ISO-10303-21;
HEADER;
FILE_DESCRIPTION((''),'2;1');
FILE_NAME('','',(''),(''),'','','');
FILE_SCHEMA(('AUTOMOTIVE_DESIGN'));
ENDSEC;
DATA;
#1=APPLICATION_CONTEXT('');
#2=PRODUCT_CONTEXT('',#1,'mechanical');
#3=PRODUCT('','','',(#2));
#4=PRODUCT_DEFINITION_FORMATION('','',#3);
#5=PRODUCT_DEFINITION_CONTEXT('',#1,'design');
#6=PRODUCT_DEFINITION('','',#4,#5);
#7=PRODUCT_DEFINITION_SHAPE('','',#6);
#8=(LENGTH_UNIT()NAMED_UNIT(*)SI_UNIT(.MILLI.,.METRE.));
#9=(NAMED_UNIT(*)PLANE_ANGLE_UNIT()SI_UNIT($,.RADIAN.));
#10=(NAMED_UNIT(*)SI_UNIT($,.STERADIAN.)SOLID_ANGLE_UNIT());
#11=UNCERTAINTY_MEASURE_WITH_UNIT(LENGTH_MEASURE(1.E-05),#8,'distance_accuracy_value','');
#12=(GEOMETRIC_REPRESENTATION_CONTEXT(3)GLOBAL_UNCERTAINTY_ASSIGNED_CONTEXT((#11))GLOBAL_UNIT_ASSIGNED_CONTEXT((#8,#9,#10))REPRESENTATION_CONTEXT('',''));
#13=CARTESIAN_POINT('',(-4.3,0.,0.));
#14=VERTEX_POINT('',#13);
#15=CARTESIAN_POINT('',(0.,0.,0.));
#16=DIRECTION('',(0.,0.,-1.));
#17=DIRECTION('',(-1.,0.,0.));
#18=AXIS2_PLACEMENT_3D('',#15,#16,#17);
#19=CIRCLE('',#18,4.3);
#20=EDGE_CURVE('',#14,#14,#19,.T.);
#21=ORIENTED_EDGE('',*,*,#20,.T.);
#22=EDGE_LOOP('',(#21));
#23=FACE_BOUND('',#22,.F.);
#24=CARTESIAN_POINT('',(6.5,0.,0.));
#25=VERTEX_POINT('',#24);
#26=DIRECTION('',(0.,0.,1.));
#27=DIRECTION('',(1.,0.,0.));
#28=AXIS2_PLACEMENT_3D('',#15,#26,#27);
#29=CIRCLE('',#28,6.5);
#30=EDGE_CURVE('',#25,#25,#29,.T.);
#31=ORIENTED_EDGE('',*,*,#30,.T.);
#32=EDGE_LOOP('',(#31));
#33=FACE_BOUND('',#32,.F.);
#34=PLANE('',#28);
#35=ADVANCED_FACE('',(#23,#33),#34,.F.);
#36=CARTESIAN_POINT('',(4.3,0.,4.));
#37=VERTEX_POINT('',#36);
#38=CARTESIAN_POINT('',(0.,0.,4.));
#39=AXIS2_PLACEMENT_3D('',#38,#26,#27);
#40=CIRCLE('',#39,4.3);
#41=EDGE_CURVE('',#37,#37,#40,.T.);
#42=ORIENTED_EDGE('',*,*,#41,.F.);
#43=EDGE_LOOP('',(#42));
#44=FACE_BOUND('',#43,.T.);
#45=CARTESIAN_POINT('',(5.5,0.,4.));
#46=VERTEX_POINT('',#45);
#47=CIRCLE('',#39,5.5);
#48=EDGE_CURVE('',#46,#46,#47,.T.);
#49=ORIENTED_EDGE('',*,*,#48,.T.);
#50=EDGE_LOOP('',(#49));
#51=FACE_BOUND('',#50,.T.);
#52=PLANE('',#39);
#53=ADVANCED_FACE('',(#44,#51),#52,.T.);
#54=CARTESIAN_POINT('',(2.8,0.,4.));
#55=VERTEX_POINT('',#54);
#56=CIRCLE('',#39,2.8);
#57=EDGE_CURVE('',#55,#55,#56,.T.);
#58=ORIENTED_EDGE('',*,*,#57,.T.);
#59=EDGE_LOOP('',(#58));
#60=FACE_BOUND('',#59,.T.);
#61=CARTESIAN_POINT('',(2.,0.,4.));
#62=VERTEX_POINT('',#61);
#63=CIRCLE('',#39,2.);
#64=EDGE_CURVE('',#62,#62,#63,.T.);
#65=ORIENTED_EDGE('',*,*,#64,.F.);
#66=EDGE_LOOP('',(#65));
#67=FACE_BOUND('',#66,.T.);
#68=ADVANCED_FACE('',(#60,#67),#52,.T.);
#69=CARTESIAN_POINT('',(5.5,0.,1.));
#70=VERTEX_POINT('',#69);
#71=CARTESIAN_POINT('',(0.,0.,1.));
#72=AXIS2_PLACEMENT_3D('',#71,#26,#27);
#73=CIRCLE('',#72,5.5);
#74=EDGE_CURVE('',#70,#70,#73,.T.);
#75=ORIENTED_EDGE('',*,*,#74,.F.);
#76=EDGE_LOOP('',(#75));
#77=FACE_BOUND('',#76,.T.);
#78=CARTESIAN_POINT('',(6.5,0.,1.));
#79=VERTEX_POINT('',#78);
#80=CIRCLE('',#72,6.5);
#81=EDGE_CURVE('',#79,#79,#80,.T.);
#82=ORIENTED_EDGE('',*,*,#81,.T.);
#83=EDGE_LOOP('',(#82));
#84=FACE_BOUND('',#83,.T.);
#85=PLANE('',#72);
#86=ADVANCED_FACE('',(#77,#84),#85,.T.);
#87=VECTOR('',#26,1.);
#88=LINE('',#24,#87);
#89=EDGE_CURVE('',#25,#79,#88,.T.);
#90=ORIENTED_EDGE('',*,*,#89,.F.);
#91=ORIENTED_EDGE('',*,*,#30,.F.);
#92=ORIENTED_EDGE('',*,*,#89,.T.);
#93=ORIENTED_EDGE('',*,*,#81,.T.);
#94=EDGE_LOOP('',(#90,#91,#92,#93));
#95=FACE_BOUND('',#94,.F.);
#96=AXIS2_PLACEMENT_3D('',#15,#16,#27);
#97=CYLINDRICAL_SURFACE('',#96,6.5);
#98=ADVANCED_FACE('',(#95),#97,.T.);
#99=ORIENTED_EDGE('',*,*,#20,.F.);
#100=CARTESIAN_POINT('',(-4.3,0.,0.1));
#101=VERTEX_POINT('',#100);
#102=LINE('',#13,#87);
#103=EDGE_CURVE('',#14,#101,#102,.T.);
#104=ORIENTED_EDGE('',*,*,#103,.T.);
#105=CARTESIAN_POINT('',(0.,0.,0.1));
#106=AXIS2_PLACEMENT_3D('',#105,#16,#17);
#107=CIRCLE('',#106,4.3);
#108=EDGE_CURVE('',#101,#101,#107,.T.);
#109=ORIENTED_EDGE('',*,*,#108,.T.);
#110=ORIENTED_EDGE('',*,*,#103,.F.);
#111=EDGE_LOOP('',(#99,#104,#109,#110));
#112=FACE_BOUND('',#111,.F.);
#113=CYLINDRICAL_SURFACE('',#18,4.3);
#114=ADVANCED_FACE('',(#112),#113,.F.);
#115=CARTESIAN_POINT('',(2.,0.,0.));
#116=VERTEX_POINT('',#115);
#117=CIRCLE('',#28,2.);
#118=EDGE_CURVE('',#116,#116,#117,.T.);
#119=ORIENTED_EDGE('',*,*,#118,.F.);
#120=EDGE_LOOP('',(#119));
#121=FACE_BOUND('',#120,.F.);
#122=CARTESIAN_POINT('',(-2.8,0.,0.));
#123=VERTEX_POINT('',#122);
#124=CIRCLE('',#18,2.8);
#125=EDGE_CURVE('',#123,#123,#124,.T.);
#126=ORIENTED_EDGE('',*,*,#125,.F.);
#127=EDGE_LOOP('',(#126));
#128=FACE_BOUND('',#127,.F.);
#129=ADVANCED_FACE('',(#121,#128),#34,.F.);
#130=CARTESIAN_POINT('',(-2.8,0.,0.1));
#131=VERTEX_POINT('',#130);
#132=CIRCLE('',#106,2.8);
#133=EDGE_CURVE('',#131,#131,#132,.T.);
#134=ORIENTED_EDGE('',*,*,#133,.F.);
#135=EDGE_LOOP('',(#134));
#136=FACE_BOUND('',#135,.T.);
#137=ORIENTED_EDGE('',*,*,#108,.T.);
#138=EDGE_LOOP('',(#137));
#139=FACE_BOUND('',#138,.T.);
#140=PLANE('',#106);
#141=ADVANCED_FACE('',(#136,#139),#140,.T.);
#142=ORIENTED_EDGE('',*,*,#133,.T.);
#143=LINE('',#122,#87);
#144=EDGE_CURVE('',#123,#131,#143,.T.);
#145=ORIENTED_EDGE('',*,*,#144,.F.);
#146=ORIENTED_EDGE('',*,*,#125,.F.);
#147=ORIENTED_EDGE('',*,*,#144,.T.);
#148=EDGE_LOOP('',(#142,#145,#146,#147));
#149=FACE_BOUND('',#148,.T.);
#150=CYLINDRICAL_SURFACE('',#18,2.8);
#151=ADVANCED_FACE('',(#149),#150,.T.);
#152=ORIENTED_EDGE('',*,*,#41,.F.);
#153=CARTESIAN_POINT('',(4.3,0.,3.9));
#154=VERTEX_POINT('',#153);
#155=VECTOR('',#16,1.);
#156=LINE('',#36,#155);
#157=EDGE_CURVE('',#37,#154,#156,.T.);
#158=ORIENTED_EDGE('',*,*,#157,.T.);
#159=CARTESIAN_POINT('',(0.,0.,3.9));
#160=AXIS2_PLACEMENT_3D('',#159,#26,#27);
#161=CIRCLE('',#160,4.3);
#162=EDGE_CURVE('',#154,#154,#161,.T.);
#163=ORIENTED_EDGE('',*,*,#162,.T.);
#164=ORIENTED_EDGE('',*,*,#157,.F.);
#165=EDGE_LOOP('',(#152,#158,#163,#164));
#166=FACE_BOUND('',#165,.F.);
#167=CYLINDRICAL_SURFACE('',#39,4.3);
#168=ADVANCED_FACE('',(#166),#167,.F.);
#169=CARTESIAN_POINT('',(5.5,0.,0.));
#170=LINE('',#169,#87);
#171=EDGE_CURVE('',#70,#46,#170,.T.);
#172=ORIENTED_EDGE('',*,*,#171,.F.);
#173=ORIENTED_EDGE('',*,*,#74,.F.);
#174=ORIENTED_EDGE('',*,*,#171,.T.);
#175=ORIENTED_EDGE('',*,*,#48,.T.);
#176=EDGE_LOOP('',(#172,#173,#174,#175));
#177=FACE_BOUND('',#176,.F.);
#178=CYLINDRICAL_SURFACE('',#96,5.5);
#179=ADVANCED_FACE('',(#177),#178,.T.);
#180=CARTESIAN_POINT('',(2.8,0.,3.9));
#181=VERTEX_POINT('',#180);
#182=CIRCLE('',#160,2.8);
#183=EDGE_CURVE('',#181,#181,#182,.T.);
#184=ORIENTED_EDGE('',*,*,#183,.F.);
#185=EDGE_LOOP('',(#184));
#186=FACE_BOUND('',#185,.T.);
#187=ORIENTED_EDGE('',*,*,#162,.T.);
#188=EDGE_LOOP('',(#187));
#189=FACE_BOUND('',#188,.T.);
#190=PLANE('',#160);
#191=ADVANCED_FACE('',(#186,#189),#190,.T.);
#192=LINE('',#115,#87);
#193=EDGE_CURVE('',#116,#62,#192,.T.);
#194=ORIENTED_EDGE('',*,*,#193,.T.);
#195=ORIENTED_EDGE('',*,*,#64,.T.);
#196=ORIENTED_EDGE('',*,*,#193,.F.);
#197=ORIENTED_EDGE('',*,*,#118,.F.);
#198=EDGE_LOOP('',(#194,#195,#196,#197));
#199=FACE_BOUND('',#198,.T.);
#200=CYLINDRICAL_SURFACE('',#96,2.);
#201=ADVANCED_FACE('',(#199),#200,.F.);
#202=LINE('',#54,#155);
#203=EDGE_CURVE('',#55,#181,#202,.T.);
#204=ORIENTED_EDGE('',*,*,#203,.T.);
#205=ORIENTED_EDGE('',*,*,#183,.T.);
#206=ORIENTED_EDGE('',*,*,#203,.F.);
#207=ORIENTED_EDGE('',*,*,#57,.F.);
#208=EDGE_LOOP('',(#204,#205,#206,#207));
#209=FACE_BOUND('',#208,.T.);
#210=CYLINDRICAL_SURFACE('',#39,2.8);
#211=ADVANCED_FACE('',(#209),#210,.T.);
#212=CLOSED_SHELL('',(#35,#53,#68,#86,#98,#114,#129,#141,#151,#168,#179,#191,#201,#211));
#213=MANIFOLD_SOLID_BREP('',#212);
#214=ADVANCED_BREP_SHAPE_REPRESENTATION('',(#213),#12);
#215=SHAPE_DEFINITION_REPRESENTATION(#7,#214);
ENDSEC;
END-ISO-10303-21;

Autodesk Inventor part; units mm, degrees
ref_plane "YZ Plane" through (0, 0, 0) normal (1, 0, 0) x (0, 1, 0)
ref_plane "XZ Plane" through (0, 0, 0) normal (0, 1, 0) x (-1, 0, 0)
ref_plane "XY Plane" through (0, 0, 0) normal (0, 0, 1) x (1, 0, 0)
sketch "スケッチ1" plane through (0, 0, 0) normal (0, 0, 1) x (1, 0, 0)
  circle A0 centre (0, 0) radius 2
  circle A1 centre (0, 0) radius 5.5
  circle A2 centre (0, 0) radius 6.5
  dimension "d0" = 4
  dimension "d1" = 11
  dimension "d2" = 1
extrude "押し出し1" add sketch "スケッチ1" along normal blind 4 contours A1
extrude "押し出し2" add sketch "スケッチ1" along normal blind 1 contours A2
sketch "スケッチ2" plane through (0, 0, 0) normal (0, 0, -1) x (-1, 0, 0)
  circle A0 centre (0, 0) radius 2.8
  circle A1 centre (0, 0) radius 4.3
  dimension "d7" = 5.6
  dimension "d8" = 8.6
extrude "押し出し3" cut sketch "スケッチ2" against normal blind 0.1
sketch "スケッチ3" plane through (0, 0, 4) normal (0, 0, 1) x (1, 0, 0)
  circle A0 centre (0, 0) radius 2.8
  circle A1 centre (0, 0) radius 4.3
  dimension "d11" = 5.6
  dimension "d12" = 8.6
extrude "押し出し4" cut sketch "スケッチ3" against normal blind 0.1
properties part number "ベアリングFd4D11B4" material "鋼、炭素鋼"
